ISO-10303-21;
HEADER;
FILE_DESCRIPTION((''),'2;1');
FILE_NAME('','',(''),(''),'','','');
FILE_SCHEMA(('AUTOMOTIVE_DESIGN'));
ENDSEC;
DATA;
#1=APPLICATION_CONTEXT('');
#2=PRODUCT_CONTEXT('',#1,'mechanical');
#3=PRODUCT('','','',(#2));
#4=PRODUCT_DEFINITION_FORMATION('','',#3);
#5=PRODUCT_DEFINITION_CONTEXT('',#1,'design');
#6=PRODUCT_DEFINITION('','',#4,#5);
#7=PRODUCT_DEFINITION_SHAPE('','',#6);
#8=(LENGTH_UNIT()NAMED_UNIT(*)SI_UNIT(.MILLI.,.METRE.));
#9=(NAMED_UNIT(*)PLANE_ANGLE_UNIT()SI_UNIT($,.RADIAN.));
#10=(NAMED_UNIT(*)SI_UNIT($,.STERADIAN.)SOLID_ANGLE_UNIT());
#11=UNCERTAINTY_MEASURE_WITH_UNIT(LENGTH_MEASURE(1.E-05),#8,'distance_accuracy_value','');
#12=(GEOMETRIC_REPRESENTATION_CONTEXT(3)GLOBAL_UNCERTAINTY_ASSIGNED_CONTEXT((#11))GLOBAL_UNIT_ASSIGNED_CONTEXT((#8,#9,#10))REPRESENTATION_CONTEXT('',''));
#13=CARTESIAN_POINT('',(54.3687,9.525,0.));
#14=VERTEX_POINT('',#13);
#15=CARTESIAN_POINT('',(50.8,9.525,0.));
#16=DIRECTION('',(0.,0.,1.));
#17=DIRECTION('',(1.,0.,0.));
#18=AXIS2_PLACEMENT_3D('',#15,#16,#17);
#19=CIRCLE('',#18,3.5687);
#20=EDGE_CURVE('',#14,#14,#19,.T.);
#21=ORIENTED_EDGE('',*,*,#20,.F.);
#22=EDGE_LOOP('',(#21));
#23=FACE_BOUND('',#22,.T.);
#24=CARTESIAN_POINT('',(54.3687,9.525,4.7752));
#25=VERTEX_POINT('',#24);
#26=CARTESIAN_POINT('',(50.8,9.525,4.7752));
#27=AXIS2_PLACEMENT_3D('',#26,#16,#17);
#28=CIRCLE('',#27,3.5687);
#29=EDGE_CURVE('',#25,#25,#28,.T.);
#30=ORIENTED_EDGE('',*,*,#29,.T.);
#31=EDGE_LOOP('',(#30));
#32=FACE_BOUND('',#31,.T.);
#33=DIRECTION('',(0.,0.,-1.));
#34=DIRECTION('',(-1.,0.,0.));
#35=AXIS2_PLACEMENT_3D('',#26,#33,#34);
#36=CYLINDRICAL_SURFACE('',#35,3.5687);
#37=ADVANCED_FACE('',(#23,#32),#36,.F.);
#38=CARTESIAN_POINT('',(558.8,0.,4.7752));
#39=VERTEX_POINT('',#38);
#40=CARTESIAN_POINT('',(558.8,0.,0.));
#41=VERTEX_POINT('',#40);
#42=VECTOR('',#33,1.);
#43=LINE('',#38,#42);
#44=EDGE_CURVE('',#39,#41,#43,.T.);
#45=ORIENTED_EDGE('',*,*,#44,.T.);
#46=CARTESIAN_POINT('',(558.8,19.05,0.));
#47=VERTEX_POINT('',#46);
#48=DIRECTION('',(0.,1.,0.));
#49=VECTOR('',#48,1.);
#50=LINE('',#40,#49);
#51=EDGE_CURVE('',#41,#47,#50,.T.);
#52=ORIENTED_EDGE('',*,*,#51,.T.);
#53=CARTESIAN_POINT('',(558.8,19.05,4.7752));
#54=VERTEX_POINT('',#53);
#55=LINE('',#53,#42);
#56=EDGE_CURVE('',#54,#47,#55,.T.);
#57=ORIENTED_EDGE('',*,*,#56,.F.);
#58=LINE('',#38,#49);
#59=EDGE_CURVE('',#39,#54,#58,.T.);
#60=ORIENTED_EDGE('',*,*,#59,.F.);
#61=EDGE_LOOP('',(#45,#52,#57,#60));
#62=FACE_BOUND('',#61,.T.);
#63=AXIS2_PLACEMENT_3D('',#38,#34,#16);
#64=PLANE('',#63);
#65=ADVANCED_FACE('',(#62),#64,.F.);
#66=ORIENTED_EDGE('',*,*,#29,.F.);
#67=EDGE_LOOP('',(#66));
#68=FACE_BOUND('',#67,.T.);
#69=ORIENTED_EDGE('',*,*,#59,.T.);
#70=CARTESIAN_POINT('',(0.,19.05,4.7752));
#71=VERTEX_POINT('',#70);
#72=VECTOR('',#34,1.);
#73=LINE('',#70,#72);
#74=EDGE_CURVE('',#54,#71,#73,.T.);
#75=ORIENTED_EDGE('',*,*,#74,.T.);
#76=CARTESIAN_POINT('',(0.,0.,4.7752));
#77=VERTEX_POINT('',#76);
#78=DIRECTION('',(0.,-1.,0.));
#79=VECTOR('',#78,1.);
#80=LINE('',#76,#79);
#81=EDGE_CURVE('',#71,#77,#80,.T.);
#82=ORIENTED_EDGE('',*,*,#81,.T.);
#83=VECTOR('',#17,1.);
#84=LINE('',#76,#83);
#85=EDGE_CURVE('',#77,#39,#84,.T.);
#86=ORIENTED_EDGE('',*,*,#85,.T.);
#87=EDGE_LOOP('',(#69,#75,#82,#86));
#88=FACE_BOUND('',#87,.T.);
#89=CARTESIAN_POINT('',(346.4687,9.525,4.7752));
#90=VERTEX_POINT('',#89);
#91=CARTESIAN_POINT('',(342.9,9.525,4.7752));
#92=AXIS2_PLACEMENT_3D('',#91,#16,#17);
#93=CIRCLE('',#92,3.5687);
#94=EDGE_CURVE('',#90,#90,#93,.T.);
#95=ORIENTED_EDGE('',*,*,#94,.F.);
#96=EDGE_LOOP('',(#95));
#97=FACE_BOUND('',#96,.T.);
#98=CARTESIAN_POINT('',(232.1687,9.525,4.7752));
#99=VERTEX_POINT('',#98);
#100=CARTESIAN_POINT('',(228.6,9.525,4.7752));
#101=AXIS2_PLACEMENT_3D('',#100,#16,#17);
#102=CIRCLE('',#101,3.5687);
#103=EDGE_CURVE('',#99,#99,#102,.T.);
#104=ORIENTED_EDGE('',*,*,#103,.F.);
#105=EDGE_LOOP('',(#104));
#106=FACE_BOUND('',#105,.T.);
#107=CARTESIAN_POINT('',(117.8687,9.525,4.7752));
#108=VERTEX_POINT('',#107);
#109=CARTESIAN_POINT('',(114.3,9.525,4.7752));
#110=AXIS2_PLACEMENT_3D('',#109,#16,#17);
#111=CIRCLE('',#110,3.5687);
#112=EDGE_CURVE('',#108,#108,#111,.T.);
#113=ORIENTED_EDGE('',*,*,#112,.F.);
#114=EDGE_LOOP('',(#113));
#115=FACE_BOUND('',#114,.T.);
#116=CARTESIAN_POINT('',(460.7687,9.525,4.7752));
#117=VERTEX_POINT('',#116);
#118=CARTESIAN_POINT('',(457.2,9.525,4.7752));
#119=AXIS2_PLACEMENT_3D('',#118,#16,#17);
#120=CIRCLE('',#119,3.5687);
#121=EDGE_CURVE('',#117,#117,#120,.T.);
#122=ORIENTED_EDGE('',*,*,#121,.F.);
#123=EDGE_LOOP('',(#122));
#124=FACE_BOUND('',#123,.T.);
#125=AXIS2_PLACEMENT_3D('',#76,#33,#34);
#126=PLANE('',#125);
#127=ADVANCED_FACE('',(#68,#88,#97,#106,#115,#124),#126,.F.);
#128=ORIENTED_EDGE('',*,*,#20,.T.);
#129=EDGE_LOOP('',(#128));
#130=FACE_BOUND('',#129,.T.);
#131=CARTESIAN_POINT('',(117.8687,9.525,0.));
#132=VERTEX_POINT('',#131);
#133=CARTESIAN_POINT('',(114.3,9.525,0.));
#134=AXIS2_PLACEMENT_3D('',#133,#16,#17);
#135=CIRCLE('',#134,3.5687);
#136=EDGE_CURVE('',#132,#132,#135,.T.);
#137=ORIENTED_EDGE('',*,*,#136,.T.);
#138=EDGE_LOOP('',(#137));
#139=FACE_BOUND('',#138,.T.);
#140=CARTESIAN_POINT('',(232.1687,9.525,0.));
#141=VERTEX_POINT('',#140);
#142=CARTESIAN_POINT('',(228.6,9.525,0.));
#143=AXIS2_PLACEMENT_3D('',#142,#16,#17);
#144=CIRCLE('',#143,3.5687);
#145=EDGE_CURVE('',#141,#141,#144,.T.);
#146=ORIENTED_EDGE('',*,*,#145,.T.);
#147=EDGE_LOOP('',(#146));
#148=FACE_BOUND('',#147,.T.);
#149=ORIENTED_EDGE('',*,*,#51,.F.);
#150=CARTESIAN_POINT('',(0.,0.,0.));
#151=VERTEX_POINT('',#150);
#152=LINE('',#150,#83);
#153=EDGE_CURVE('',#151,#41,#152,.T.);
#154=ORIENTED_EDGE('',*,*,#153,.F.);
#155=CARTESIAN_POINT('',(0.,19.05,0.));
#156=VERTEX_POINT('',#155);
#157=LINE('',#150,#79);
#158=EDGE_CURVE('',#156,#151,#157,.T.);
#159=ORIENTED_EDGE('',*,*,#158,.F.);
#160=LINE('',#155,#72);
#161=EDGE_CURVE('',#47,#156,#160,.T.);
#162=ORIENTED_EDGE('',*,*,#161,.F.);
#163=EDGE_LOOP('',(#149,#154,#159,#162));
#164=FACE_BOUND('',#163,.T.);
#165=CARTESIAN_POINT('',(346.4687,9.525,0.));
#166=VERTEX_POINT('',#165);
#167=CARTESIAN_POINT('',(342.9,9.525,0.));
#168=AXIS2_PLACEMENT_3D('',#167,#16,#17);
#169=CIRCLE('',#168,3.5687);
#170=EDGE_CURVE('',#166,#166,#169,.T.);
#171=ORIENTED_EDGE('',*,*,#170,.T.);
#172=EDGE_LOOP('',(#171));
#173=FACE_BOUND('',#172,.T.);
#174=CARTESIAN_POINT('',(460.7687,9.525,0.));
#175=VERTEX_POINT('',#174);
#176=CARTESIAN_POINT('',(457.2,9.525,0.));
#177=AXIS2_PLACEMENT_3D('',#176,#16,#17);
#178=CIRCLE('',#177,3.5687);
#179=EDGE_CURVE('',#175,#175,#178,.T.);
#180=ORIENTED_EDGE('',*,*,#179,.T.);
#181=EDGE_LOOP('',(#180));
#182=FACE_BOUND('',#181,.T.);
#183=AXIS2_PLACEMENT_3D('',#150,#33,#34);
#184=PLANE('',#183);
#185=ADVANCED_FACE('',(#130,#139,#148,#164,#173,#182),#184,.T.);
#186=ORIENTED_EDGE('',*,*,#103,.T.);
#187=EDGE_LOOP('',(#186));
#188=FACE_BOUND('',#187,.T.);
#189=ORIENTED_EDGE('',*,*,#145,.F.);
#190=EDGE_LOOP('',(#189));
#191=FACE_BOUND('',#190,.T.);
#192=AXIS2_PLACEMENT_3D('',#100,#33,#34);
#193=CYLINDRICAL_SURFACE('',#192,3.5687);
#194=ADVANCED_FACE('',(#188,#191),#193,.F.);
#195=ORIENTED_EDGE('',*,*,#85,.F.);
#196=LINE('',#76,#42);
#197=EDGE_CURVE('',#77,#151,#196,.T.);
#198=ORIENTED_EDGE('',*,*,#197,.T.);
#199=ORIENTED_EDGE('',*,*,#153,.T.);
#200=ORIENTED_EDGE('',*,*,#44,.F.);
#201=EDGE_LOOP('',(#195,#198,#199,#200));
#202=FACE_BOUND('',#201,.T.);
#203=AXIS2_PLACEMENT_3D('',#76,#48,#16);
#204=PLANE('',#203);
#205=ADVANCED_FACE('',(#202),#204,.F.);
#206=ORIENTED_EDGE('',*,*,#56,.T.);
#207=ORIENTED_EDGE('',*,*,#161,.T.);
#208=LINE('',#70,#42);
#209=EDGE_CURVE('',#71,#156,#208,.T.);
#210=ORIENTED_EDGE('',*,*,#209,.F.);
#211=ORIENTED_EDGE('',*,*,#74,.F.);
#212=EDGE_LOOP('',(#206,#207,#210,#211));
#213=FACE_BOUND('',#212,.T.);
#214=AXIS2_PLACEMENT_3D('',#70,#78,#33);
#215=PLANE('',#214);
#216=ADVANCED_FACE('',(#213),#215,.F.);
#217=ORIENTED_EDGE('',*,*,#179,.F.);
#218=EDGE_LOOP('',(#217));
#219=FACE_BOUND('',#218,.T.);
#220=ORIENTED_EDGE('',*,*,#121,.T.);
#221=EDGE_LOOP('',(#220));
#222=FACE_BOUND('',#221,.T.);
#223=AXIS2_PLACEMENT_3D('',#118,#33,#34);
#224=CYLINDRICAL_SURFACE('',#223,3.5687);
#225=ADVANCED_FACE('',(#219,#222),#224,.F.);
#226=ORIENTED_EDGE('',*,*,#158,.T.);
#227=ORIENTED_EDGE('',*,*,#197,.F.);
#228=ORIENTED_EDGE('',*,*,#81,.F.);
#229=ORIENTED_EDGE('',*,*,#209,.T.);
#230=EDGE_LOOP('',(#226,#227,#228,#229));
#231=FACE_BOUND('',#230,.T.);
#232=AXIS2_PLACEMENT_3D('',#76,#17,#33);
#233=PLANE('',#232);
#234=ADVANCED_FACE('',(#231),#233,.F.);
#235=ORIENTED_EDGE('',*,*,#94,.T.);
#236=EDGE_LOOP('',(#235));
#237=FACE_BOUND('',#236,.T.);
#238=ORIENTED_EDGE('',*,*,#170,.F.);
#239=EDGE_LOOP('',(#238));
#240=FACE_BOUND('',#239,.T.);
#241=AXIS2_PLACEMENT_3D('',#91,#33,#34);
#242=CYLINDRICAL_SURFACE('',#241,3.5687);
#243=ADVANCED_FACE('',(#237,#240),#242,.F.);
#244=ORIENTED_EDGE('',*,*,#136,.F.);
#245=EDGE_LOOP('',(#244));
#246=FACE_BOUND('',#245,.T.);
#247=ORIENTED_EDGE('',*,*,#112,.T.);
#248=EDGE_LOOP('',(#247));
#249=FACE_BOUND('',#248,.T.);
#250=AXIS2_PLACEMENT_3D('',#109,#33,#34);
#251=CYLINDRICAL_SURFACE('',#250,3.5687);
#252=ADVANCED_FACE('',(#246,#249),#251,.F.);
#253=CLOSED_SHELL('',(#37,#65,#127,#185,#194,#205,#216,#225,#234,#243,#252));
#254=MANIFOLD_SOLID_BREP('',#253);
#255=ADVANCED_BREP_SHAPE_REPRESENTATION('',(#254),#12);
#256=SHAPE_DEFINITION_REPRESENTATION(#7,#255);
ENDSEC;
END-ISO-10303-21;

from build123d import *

# Parameters (mm, degrees)
SKETCH1_W           = 558.8
SKETCH1_H           = 19.05
BOSS_EXTRUDE1_DEPTH = 4.7752
SKETCH2_R           = 3.5687
CUT_EXTRUDE1_DEPTH  = 560.145012528


with BuildPart() as part:
    # Sketch1 → Boss-Extrude1 (new body)
    with BuildSketch(Plane.XY):
        with Locations((279.4, 9.525)):
            Rectangle(SKETCH1_W, SKETCH1_H)
    extrude(amount=BOSS_EXTRUDE1_DEPTH)

    # Sketch2 → Cut-Extrude1 (cut, through all)
    with BuildSketch(Plane.XY):
        with Locations((50.8, 9.525)):
            Circle(SKETCH2_R)
        with Locations((114.3, 9.525)):
            Circle(SKETCH2_R)
        with Locations((228.6, 9.525)):
            Circle(SKETCH2_R)
        with Locations((342.9, 9.525)):
            Circle(SKETCH2_R)
        with Locations((457.2, 9.525)):
            Circle(SKETCH2_R)
    extrude(amount=CUT_EXTRUDE1_DEPTH, mode=Mode.SUBTRACT)


solid = part.part
